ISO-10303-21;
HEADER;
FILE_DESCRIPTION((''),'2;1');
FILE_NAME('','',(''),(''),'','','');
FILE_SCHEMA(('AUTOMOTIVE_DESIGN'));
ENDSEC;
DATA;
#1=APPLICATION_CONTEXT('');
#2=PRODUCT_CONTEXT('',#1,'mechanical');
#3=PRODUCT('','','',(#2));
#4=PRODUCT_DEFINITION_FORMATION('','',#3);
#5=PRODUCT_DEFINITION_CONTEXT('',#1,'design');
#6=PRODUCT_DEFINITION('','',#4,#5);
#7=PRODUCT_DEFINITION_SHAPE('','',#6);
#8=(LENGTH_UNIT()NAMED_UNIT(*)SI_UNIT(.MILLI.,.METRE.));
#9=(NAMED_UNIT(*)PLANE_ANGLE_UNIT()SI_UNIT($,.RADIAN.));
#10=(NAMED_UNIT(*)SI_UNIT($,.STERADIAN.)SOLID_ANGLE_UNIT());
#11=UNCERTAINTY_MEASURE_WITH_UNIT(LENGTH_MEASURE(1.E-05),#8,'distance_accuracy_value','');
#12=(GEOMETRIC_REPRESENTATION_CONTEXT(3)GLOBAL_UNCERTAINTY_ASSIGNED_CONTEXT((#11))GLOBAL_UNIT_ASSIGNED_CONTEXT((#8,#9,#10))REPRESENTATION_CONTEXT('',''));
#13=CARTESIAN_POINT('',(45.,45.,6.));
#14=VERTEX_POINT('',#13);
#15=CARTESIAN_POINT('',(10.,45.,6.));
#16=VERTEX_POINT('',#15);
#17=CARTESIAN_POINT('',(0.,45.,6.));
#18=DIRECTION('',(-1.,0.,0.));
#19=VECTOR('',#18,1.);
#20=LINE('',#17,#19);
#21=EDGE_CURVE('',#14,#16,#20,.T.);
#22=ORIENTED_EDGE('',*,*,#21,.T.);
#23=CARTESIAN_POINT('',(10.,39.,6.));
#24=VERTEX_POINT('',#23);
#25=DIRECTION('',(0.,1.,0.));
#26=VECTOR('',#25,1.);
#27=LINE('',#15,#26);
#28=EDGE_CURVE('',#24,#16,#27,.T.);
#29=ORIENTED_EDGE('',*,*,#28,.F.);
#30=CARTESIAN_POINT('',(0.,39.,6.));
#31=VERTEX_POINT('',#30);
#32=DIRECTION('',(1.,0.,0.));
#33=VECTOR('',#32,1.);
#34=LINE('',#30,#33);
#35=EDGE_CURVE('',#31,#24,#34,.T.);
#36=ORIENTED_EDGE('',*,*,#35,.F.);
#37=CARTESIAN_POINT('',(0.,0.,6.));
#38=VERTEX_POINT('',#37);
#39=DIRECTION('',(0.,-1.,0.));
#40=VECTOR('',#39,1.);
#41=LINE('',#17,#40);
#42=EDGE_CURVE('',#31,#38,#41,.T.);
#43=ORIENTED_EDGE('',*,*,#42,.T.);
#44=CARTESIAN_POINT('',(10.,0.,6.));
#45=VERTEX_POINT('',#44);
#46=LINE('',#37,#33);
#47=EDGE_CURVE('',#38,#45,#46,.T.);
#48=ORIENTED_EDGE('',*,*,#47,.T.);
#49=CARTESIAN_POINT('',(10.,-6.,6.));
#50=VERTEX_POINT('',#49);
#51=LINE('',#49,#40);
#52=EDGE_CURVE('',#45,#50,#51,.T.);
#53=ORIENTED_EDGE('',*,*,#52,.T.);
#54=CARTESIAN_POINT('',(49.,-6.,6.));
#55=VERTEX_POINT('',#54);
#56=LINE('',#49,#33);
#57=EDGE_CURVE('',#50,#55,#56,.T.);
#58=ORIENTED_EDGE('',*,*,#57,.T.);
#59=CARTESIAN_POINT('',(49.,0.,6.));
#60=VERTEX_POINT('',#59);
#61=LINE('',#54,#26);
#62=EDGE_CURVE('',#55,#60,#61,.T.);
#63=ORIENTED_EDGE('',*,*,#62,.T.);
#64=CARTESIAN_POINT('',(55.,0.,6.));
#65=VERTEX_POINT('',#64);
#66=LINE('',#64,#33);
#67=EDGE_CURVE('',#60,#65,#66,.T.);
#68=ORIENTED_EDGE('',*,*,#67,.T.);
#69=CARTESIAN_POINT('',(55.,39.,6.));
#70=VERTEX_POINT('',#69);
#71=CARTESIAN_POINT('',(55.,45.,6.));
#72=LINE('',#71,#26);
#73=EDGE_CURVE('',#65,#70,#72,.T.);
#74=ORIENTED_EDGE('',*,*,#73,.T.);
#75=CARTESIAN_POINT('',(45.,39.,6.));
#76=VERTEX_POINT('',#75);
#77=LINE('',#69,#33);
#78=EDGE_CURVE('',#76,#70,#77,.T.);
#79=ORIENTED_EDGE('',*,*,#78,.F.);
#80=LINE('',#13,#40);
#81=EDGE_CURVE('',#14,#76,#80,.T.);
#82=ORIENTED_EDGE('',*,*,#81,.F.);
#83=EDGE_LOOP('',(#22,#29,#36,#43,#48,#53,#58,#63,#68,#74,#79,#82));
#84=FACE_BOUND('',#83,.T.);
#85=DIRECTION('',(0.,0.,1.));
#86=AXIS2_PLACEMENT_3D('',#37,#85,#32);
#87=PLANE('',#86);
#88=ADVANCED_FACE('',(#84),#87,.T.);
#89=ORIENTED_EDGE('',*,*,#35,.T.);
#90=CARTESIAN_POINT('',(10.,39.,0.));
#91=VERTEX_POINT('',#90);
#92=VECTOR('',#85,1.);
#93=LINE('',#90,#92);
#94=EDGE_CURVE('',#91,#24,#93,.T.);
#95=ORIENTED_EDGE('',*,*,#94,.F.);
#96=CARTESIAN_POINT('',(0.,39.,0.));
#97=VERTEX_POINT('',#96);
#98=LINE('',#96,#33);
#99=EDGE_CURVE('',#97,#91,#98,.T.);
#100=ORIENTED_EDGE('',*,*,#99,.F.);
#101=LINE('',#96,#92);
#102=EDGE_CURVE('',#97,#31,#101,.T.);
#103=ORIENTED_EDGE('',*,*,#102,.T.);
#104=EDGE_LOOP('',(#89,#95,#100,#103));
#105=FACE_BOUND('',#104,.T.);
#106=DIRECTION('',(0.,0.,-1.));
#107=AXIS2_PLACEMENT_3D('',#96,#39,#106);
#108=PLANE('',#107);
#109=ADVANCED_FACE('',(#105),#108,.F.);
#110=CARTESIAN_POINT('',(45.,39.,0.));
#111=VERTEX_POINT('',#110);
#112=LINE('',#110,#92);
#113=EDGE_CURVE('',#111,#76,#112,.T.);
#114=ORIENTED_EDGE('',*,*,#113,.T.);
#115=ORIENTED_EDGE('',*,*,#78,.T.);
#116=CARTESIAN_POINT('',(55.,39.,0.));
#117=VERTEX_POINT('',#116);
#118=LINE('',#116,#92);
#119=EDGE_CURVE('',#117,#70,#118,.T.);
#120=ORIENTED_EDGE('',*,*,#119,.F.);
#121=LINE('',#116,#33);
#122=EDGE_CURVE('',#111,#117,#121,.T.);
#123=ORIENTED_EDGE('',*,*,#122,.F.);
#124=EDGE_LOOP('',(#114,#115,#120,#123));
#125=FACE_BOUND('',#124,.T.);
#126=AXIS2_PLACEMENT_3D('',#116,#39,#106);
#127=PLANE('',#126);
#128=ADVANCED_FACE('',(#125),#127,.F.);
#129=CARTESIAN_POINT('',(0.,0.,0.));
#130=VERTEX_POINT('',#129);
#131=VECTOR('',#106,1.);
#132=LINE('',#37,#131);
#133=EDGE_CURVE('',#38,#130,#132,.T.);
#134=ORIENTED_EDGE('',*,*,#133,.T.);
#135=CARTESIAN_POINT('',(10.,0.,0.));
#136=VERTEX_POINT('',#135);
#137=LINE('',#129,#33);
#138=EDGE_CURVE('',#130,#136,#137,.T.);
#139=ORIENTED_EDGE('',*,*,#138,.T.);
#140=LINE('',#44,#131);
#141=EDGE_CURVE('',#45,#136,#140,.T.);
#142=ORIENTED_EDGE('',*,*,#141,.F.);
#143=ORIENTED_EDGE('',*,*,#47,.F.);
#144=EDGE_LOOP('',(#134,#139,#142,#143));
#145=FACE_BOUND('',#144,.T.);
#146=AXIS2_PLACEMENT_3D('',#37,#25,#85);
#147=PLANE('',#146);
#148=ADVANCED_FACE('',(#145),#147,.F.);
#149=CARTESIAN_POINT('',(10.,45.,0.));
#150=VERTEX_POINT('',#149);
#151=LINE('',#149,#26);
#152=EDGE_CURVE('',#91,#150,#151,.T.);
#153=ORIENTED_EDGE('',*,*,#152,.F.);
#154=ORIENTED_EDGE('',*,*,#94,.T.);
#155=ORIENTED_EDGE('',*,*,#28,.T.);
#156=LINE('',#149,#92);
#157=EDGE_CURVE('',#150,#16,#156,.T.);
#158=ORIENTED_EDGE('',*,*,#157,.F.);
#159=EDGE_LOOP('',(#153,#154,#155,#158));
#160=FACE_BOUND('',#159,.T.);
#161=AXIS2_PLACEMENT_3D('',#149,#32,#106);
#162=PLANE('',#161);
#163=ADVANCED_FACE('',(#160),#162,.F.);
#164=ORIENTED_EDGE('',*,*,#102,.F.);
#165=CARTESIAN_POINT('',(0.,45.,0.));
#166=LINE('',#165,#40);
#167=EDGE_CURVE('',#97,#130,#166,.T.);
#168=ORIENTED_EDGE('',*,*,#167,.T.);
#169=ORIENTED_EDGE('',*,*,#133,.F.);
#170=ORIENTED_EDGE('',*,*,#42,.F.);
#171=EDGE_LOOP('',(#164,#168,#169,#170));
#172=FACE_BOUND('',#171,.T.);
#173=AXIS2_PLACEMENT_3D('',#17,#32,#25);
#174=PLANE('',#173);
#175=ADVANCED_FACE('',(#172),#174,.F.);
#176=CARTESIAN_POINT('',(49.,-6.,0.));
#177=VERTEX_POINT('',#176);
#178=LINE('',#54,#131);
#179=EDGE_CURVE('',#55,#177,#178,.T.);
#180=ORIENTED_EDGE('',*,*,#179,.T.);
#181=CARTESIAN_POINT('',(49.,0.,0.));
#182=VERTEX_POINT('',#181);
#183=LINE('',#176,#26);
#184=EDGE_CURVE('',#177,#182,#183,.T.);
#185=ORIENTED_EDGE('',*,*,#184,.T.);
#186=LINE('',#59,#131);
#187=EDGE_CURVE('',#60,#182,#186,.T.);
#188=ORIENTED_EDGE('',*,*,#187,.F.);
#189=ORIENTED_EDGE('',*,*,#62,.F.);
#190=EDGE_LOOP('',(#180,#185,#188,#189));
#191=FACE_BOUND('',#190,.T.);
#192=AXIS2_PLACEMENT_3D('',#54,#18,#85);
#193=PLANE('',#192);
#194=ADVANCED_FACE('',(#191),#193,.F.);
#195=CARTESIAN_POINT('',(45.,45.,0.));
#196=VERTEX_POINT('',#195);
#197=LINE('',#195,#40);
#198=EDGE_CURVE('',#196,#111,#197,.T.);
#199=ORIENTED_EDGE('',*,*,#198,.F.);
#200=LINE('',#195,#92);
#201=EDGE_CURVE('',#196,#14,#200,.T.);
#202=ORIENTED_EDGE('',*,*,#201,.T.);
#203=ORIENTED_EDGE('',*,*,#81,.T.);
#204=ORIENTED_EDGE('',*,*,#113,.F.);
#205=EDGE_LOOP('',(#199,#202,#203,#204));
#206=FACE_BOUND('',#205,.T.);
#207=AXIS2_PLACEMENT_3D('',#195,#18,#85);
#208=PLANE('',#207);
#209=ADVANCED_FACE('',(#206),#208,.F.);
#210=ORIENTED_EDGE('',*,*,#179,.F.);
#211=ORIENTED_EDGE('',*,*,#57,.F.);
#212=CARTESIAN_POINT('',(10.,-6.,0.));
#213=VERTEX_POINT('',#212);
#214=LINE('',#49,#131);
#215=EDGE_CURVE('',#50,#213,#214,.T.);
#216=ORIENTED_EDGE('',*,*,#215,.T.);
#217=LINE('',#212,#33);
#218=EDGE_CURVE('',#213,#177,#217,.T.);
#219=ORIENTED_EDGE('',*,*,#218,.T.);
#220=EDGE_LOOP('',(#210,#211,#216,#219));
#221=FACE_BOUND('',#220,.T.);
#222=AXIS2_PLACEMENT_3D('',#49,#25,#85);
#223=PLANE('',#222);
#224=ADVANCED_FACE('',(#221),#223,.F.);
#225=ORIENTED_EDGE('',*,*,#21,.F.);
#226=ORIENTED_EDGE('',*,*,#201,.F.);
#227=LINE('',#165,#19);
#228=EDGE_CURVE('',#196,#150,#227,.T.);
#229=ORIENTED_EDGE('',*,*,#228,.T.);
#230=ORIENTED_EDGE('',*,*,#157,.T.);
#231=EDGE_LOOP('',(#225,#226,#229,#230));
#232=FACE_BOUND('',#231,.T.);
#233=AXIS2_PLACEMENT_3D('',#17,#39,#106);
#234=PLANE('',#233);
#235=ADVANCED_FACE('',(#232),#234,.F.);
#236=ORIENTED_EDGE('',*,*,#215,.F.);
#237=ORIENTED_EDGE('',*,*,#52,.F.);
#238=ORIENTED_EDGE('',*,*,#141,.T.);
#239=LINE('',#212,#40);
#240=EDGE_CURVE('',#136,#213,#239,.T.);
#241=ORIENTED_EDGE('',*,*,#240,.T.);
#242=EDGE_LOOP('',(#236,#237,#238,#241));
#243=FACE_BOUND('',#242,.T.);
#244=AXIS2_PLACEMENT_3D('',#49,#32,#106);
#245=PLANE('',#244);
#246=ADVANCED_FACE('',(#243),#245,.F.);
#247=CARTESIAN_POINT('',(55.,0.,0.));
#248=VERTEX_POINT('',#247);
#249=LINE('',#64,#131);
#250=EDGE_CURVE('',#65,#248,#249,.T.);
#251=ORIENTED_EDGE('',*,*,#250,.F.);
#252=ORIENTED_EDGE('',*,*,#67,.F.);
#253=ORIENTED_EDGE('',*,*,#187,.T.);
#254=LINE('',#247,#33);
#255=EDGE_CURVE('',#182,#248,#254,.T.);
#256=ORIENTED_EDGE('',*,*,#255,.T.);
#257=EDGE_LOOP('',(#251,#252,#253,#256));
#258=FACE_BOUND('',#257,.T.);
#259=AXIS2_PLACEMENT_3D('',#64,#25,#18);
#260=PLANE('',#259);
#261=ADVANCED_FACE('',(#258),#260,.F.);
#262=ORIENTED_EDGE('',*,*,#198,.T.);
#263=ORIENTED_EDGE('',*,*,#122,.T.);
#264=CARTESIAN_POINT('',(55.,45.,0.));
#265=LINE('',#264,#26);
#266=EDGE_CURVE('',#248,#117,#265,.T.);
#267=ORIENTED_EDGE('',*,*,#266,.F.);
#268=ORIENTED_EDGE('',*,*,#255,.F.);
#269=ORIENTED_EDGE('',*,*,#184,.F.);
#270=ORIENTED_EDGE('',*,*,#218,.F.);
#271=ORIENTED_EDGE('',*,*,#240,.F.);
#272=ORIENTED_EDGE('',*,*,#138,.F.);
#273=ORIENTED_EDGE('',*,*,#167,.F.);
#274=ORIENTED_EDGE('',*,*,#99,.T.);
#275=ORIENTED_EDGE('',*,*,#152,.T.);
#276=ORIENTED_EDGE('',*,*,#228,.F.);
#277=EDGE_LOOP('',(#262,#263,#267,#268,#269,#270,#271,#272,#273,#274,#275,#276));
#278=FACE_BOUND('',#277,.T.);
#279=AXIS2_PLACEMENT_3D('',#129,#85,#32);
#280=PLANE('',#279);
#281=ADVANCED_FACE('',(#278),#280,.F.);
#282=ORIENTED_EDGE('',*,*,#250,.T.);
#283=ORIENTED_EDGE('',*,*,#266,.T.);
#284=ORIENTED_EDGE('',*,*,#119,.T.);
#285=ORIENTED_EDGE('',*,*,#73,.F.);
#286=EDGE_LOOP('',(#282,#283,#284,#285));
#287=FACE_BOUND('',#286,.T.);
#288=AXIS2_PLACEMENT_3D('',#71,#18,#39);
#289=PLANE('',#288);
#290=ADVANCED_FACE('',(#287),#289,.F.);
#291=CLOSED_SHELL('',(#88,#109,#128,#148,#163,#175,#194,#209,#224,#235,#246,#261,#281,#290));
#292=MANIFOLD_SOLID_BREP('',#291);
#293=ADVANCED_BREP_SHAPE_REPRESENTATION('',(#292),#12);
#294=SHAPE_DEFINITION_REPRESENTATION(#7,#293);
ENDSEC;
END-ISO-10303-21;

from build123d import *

# Parameters (mm, degrees)
BOSS_EXTRUDE1_DEPTH = 6
SKETCH2_W           = 10
SKETCH2_H           = 6
CUT_EXTRUDE1_DEPTH  = 6


with BuildPart() as part:
    # Sketch1 → Boss-Extrude1 (new body)
    with BuildSketch(Plane.XY):
        Polygon((0, 45), (55, 45), (55, 0), (49, 0), (49, -6), (10, -6), (10, 0), (0, 0), align=None)
    extrude(amount=BOSS_EXTRUDE1_DEPTH)

    # Sketch2 → Cut-Extrude1 (cut)
    with BuildSketch(Plane.XY.offset(6)):
        with Locations((5, 42)):
            Rectangle(SKETCH2_W, SKETCH2_H)
        with Locations((50, 42)):
            Rectangle(SKETCH2_W, SKETCH2_H)
    extrude(amount=-CUT_EXTRUDE1_DEPTH, mode=Mode.SUBTRACT)


solid = part.part
